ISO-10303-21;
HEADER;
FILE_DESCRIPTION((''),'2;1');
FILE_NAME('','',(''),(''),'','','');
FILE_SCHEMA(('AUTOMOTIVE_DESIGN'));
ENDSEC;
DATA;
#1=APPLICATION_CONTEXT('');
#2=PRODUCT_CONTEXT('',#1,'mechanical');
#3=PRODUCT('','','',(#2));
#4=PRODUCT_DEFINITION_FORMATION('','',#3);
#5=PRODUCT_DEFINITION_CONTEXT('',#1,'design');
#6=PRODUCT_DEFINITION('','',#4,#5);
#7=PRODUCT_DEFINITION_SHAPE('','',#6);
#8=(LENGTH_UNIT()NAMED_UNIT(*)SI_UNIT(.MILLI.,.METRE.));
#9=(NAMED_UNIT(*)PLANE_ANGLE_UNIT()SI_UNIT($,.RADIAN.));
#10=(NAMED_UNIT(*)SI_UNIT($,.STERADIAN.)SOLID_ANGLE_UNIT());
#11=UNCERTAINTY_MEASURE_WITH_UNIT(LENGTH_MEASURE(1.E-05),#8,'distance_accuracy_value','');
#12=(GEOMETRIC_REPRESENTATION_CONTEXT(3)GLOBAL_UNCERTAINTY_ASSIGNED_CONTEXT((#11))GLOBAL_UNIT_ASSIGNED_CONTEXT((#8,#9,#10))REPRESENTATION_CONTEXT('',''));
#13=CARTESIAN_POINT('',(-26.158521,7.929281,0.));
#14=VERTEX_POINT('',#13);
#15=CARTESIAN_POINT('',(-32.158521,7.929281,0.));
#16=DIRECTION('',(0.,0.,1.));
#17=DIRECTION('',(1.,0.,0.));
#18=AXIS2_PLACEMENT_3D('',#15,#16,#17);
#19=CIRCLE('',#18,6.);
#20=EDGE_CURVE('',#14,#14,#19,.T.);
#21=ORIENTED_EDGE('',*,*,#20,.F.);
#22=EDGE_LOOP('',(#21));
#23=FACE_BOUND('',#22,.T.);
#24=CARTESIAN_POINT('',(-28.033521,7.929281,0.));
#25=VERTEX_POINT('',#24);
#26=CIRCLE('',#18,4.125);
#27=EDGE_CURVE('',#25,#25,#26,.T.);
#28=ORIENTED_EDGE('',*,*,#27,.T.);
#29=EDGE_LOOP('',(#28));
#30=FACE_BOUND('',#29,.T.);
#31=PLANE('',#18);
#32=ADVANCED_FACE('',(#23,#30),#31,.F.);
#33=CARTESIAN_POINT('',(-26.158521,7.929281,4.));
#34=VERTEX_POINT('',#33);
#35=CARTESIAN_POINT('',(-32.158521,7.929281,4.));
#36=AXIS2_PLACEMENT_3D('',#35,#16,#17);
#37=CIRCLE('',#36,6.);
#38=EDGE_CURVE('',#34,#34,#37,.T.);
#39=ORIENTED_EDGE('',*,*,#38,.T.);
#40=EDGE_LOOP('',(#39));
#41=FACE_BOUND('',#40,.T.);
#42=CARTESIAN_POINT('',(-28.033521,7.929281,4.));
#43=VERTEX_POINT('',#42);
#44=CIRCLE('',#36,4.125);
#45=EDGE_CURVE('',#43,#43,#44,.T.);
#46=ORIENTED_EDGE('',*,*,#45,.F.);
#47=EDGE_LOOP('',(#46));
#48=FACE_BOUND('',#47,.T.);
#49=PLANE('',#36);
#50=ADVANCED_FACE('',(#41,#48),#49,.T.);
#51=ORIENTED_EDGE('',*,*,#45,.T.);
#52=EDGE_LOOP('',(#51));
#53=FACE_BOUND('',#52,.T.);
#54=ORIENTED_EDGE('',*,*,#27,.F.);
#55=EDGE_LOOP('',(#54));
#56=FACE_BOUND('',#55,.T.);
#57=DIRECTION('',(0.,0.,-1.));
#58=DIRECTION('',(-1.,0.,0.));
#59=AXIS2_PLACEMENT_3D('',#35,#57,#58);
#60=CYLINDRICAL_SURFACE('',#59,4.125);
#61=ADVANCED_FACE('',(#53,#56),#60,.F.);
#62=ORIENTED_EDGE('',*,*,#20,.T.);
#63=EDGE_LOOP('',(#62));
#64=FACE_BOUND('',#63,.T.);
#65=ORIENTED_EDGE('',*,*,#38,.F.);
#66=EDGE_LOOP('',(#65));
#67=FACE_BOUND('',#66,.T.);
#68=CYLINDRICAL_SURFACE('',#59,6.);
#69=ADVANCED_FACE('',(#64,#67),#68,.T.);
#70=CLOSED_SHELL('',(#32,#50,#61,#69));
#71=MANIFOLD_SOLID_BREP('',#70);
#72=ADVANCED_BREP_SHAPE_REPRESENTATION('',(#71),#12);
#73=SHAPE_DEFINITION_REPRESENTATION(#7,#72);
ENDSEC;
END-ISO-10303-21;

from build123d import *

# Parameters (mm, degrees)
SKETCH1_R           = 6
SKETCH1_R_2         = 4.125
BOSS_EXTRUDE1_DEPTH = 4


with BuildPart() as part:
    # Sketch1 → Boss-Extrude1 (new body)
    with BuildSketch(Plane.XY):
        with Locations((-32.158521212, 7.929280564)):
            Circle(SKETCH1_R)
        with Locations((-32.158521212, 7.929280564)):
            Circle(SKETCH1_R_2, mode=Mode.SUBTRACT)
    extrude(amount=BOSS_EXTRUDE1_DEPTH)


solid = part.part
